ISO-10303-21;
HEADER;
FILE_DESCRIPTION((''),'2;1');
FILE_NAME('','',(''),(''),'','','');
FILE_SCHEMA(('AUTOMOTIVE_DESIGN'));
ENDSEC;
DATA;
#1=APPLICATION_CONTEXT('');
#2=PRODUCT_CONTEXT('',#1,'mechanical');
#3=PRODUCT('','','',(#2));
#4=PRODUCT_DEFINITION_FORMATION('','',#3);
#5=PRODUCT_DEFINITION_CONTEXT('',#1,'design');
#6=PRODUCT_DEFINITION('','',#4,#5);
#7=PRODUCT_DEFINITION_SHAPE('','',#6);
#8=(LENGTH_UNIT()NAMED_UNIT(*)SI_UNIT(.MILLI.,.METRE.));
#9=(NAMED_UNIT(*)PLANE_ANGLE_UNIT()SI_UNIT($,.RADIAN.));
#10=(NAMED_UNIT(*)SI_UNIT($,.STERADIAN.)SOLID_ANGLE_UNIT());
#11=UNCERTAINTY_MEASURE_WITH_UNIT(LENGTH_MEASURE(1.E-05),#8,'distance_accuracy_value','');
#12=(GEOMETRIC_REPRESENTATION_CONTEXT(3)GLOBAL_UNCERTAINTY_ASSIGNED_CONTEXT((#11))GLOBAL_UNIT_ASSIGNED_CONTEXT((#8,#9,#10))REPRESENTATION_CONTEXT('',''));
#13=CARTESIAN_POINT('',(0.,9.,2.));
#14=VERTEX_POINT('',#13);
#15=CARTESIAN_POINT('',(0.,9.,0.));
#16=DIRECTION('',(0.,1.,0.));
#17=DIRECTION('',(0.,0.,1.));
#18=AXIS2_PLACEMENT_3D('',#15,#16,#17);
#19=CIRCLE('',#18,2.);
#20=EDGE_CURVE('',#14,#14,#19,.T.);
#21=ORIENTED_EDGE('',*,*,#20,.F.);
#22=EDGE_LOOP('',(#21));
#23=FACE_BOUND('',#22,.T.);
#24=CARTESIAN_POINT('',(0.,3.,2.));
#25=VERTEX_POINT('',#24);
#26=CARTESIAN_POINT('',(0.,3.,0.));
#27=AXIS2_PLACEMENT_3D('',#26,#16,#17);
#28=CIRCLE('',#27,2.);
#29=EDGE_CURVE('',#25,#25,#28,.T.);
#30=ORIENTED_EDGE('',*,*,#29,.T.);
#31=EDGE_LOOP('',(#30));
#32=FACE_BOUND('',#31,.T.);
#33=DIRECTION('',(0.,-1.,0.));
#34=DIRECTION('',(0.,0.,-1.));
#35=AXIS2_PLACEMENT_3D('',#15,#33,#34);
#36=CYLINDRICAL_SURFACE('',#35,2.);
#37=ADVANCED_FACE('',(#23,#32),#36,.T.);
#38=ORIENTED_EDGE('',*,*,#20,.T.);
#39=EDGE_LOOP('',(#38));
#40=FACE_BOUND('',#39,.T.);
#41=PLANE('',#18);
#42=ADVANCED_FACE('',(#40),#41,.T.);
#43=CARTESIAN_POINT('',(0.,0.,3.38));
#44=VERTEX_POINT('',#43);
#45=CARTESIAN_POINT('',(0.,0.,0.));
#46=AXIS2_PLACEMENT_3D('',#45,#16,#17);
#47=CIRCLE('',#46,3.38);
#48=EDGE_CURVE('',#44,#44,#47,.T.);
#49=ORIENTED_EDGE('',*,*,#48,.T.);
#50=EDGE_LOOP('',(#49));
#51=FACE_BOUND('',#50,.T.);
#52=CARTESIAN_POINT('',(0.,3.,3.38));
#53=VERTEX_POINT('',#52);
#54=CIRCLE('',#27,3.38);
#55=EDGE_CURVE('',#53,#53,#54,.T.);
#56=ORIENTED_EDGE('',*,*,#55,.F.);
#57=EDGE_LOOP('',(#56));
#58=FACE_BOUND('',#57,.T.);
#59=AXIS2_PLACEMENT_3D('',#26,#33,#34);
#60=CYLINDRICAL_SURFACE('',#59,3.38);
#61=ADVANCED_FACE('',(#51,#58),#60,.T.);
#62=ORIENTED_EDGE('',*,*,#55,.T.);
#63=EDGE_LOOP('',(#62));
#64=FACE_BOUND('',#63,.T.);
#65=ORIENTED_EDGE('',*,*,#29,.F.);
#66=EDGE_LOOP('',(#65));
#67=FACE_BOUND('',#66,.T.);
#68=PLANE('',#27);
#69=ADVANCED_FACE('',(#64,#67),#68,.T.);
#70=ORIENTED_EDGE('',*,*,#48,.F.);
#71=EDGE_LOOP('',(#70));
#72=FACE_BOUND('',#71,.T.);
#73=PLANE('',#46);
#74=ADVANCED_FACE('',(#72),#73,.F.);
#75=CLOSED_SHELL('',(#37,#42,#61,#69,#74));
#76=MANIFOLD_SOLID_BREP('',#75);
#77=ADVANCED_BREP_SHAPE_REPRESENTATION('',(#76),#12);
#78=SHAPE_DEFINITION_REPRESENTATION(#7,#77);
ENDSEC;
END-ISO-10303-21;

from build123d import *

# Parameters (mm, degrees)
SKETCH1_R           = 3.38
SKETCH1_R_2         = 2
BOSS_EXTRUDE1_DEPTH = 3
SKETCH1_2_R         = 2
BOSS_EXTRUDE2_DEPTH = 9


with BuildPart() as part:
    # Sketch1 → Boss-Extrude1 (new body)
    with BuildSketch(Plane(origin=(0, 0, 0), x_dir=(1, 0, 0), z_dir=(0, 1, 0))):
        Circle(SKETCH1_R)
        Circle(SKETCH1_R_2, mode=Mode.SUBTRACT)
    extrude(amount=BOSS_EXTRUDE1_DEPTH)

    # Sketch1<2> → Boss-Extrude2 (add)
    with BuildSketch(Plane(origin=(0, 0, 0), x_dir=(1, 0, 0), z_dir=(0, 1, 0))):
        Circle(SKETCH1_2_R)
    extrude(amount=BOSS_EXTRUDE2_DEPTH)


solid = part.part
